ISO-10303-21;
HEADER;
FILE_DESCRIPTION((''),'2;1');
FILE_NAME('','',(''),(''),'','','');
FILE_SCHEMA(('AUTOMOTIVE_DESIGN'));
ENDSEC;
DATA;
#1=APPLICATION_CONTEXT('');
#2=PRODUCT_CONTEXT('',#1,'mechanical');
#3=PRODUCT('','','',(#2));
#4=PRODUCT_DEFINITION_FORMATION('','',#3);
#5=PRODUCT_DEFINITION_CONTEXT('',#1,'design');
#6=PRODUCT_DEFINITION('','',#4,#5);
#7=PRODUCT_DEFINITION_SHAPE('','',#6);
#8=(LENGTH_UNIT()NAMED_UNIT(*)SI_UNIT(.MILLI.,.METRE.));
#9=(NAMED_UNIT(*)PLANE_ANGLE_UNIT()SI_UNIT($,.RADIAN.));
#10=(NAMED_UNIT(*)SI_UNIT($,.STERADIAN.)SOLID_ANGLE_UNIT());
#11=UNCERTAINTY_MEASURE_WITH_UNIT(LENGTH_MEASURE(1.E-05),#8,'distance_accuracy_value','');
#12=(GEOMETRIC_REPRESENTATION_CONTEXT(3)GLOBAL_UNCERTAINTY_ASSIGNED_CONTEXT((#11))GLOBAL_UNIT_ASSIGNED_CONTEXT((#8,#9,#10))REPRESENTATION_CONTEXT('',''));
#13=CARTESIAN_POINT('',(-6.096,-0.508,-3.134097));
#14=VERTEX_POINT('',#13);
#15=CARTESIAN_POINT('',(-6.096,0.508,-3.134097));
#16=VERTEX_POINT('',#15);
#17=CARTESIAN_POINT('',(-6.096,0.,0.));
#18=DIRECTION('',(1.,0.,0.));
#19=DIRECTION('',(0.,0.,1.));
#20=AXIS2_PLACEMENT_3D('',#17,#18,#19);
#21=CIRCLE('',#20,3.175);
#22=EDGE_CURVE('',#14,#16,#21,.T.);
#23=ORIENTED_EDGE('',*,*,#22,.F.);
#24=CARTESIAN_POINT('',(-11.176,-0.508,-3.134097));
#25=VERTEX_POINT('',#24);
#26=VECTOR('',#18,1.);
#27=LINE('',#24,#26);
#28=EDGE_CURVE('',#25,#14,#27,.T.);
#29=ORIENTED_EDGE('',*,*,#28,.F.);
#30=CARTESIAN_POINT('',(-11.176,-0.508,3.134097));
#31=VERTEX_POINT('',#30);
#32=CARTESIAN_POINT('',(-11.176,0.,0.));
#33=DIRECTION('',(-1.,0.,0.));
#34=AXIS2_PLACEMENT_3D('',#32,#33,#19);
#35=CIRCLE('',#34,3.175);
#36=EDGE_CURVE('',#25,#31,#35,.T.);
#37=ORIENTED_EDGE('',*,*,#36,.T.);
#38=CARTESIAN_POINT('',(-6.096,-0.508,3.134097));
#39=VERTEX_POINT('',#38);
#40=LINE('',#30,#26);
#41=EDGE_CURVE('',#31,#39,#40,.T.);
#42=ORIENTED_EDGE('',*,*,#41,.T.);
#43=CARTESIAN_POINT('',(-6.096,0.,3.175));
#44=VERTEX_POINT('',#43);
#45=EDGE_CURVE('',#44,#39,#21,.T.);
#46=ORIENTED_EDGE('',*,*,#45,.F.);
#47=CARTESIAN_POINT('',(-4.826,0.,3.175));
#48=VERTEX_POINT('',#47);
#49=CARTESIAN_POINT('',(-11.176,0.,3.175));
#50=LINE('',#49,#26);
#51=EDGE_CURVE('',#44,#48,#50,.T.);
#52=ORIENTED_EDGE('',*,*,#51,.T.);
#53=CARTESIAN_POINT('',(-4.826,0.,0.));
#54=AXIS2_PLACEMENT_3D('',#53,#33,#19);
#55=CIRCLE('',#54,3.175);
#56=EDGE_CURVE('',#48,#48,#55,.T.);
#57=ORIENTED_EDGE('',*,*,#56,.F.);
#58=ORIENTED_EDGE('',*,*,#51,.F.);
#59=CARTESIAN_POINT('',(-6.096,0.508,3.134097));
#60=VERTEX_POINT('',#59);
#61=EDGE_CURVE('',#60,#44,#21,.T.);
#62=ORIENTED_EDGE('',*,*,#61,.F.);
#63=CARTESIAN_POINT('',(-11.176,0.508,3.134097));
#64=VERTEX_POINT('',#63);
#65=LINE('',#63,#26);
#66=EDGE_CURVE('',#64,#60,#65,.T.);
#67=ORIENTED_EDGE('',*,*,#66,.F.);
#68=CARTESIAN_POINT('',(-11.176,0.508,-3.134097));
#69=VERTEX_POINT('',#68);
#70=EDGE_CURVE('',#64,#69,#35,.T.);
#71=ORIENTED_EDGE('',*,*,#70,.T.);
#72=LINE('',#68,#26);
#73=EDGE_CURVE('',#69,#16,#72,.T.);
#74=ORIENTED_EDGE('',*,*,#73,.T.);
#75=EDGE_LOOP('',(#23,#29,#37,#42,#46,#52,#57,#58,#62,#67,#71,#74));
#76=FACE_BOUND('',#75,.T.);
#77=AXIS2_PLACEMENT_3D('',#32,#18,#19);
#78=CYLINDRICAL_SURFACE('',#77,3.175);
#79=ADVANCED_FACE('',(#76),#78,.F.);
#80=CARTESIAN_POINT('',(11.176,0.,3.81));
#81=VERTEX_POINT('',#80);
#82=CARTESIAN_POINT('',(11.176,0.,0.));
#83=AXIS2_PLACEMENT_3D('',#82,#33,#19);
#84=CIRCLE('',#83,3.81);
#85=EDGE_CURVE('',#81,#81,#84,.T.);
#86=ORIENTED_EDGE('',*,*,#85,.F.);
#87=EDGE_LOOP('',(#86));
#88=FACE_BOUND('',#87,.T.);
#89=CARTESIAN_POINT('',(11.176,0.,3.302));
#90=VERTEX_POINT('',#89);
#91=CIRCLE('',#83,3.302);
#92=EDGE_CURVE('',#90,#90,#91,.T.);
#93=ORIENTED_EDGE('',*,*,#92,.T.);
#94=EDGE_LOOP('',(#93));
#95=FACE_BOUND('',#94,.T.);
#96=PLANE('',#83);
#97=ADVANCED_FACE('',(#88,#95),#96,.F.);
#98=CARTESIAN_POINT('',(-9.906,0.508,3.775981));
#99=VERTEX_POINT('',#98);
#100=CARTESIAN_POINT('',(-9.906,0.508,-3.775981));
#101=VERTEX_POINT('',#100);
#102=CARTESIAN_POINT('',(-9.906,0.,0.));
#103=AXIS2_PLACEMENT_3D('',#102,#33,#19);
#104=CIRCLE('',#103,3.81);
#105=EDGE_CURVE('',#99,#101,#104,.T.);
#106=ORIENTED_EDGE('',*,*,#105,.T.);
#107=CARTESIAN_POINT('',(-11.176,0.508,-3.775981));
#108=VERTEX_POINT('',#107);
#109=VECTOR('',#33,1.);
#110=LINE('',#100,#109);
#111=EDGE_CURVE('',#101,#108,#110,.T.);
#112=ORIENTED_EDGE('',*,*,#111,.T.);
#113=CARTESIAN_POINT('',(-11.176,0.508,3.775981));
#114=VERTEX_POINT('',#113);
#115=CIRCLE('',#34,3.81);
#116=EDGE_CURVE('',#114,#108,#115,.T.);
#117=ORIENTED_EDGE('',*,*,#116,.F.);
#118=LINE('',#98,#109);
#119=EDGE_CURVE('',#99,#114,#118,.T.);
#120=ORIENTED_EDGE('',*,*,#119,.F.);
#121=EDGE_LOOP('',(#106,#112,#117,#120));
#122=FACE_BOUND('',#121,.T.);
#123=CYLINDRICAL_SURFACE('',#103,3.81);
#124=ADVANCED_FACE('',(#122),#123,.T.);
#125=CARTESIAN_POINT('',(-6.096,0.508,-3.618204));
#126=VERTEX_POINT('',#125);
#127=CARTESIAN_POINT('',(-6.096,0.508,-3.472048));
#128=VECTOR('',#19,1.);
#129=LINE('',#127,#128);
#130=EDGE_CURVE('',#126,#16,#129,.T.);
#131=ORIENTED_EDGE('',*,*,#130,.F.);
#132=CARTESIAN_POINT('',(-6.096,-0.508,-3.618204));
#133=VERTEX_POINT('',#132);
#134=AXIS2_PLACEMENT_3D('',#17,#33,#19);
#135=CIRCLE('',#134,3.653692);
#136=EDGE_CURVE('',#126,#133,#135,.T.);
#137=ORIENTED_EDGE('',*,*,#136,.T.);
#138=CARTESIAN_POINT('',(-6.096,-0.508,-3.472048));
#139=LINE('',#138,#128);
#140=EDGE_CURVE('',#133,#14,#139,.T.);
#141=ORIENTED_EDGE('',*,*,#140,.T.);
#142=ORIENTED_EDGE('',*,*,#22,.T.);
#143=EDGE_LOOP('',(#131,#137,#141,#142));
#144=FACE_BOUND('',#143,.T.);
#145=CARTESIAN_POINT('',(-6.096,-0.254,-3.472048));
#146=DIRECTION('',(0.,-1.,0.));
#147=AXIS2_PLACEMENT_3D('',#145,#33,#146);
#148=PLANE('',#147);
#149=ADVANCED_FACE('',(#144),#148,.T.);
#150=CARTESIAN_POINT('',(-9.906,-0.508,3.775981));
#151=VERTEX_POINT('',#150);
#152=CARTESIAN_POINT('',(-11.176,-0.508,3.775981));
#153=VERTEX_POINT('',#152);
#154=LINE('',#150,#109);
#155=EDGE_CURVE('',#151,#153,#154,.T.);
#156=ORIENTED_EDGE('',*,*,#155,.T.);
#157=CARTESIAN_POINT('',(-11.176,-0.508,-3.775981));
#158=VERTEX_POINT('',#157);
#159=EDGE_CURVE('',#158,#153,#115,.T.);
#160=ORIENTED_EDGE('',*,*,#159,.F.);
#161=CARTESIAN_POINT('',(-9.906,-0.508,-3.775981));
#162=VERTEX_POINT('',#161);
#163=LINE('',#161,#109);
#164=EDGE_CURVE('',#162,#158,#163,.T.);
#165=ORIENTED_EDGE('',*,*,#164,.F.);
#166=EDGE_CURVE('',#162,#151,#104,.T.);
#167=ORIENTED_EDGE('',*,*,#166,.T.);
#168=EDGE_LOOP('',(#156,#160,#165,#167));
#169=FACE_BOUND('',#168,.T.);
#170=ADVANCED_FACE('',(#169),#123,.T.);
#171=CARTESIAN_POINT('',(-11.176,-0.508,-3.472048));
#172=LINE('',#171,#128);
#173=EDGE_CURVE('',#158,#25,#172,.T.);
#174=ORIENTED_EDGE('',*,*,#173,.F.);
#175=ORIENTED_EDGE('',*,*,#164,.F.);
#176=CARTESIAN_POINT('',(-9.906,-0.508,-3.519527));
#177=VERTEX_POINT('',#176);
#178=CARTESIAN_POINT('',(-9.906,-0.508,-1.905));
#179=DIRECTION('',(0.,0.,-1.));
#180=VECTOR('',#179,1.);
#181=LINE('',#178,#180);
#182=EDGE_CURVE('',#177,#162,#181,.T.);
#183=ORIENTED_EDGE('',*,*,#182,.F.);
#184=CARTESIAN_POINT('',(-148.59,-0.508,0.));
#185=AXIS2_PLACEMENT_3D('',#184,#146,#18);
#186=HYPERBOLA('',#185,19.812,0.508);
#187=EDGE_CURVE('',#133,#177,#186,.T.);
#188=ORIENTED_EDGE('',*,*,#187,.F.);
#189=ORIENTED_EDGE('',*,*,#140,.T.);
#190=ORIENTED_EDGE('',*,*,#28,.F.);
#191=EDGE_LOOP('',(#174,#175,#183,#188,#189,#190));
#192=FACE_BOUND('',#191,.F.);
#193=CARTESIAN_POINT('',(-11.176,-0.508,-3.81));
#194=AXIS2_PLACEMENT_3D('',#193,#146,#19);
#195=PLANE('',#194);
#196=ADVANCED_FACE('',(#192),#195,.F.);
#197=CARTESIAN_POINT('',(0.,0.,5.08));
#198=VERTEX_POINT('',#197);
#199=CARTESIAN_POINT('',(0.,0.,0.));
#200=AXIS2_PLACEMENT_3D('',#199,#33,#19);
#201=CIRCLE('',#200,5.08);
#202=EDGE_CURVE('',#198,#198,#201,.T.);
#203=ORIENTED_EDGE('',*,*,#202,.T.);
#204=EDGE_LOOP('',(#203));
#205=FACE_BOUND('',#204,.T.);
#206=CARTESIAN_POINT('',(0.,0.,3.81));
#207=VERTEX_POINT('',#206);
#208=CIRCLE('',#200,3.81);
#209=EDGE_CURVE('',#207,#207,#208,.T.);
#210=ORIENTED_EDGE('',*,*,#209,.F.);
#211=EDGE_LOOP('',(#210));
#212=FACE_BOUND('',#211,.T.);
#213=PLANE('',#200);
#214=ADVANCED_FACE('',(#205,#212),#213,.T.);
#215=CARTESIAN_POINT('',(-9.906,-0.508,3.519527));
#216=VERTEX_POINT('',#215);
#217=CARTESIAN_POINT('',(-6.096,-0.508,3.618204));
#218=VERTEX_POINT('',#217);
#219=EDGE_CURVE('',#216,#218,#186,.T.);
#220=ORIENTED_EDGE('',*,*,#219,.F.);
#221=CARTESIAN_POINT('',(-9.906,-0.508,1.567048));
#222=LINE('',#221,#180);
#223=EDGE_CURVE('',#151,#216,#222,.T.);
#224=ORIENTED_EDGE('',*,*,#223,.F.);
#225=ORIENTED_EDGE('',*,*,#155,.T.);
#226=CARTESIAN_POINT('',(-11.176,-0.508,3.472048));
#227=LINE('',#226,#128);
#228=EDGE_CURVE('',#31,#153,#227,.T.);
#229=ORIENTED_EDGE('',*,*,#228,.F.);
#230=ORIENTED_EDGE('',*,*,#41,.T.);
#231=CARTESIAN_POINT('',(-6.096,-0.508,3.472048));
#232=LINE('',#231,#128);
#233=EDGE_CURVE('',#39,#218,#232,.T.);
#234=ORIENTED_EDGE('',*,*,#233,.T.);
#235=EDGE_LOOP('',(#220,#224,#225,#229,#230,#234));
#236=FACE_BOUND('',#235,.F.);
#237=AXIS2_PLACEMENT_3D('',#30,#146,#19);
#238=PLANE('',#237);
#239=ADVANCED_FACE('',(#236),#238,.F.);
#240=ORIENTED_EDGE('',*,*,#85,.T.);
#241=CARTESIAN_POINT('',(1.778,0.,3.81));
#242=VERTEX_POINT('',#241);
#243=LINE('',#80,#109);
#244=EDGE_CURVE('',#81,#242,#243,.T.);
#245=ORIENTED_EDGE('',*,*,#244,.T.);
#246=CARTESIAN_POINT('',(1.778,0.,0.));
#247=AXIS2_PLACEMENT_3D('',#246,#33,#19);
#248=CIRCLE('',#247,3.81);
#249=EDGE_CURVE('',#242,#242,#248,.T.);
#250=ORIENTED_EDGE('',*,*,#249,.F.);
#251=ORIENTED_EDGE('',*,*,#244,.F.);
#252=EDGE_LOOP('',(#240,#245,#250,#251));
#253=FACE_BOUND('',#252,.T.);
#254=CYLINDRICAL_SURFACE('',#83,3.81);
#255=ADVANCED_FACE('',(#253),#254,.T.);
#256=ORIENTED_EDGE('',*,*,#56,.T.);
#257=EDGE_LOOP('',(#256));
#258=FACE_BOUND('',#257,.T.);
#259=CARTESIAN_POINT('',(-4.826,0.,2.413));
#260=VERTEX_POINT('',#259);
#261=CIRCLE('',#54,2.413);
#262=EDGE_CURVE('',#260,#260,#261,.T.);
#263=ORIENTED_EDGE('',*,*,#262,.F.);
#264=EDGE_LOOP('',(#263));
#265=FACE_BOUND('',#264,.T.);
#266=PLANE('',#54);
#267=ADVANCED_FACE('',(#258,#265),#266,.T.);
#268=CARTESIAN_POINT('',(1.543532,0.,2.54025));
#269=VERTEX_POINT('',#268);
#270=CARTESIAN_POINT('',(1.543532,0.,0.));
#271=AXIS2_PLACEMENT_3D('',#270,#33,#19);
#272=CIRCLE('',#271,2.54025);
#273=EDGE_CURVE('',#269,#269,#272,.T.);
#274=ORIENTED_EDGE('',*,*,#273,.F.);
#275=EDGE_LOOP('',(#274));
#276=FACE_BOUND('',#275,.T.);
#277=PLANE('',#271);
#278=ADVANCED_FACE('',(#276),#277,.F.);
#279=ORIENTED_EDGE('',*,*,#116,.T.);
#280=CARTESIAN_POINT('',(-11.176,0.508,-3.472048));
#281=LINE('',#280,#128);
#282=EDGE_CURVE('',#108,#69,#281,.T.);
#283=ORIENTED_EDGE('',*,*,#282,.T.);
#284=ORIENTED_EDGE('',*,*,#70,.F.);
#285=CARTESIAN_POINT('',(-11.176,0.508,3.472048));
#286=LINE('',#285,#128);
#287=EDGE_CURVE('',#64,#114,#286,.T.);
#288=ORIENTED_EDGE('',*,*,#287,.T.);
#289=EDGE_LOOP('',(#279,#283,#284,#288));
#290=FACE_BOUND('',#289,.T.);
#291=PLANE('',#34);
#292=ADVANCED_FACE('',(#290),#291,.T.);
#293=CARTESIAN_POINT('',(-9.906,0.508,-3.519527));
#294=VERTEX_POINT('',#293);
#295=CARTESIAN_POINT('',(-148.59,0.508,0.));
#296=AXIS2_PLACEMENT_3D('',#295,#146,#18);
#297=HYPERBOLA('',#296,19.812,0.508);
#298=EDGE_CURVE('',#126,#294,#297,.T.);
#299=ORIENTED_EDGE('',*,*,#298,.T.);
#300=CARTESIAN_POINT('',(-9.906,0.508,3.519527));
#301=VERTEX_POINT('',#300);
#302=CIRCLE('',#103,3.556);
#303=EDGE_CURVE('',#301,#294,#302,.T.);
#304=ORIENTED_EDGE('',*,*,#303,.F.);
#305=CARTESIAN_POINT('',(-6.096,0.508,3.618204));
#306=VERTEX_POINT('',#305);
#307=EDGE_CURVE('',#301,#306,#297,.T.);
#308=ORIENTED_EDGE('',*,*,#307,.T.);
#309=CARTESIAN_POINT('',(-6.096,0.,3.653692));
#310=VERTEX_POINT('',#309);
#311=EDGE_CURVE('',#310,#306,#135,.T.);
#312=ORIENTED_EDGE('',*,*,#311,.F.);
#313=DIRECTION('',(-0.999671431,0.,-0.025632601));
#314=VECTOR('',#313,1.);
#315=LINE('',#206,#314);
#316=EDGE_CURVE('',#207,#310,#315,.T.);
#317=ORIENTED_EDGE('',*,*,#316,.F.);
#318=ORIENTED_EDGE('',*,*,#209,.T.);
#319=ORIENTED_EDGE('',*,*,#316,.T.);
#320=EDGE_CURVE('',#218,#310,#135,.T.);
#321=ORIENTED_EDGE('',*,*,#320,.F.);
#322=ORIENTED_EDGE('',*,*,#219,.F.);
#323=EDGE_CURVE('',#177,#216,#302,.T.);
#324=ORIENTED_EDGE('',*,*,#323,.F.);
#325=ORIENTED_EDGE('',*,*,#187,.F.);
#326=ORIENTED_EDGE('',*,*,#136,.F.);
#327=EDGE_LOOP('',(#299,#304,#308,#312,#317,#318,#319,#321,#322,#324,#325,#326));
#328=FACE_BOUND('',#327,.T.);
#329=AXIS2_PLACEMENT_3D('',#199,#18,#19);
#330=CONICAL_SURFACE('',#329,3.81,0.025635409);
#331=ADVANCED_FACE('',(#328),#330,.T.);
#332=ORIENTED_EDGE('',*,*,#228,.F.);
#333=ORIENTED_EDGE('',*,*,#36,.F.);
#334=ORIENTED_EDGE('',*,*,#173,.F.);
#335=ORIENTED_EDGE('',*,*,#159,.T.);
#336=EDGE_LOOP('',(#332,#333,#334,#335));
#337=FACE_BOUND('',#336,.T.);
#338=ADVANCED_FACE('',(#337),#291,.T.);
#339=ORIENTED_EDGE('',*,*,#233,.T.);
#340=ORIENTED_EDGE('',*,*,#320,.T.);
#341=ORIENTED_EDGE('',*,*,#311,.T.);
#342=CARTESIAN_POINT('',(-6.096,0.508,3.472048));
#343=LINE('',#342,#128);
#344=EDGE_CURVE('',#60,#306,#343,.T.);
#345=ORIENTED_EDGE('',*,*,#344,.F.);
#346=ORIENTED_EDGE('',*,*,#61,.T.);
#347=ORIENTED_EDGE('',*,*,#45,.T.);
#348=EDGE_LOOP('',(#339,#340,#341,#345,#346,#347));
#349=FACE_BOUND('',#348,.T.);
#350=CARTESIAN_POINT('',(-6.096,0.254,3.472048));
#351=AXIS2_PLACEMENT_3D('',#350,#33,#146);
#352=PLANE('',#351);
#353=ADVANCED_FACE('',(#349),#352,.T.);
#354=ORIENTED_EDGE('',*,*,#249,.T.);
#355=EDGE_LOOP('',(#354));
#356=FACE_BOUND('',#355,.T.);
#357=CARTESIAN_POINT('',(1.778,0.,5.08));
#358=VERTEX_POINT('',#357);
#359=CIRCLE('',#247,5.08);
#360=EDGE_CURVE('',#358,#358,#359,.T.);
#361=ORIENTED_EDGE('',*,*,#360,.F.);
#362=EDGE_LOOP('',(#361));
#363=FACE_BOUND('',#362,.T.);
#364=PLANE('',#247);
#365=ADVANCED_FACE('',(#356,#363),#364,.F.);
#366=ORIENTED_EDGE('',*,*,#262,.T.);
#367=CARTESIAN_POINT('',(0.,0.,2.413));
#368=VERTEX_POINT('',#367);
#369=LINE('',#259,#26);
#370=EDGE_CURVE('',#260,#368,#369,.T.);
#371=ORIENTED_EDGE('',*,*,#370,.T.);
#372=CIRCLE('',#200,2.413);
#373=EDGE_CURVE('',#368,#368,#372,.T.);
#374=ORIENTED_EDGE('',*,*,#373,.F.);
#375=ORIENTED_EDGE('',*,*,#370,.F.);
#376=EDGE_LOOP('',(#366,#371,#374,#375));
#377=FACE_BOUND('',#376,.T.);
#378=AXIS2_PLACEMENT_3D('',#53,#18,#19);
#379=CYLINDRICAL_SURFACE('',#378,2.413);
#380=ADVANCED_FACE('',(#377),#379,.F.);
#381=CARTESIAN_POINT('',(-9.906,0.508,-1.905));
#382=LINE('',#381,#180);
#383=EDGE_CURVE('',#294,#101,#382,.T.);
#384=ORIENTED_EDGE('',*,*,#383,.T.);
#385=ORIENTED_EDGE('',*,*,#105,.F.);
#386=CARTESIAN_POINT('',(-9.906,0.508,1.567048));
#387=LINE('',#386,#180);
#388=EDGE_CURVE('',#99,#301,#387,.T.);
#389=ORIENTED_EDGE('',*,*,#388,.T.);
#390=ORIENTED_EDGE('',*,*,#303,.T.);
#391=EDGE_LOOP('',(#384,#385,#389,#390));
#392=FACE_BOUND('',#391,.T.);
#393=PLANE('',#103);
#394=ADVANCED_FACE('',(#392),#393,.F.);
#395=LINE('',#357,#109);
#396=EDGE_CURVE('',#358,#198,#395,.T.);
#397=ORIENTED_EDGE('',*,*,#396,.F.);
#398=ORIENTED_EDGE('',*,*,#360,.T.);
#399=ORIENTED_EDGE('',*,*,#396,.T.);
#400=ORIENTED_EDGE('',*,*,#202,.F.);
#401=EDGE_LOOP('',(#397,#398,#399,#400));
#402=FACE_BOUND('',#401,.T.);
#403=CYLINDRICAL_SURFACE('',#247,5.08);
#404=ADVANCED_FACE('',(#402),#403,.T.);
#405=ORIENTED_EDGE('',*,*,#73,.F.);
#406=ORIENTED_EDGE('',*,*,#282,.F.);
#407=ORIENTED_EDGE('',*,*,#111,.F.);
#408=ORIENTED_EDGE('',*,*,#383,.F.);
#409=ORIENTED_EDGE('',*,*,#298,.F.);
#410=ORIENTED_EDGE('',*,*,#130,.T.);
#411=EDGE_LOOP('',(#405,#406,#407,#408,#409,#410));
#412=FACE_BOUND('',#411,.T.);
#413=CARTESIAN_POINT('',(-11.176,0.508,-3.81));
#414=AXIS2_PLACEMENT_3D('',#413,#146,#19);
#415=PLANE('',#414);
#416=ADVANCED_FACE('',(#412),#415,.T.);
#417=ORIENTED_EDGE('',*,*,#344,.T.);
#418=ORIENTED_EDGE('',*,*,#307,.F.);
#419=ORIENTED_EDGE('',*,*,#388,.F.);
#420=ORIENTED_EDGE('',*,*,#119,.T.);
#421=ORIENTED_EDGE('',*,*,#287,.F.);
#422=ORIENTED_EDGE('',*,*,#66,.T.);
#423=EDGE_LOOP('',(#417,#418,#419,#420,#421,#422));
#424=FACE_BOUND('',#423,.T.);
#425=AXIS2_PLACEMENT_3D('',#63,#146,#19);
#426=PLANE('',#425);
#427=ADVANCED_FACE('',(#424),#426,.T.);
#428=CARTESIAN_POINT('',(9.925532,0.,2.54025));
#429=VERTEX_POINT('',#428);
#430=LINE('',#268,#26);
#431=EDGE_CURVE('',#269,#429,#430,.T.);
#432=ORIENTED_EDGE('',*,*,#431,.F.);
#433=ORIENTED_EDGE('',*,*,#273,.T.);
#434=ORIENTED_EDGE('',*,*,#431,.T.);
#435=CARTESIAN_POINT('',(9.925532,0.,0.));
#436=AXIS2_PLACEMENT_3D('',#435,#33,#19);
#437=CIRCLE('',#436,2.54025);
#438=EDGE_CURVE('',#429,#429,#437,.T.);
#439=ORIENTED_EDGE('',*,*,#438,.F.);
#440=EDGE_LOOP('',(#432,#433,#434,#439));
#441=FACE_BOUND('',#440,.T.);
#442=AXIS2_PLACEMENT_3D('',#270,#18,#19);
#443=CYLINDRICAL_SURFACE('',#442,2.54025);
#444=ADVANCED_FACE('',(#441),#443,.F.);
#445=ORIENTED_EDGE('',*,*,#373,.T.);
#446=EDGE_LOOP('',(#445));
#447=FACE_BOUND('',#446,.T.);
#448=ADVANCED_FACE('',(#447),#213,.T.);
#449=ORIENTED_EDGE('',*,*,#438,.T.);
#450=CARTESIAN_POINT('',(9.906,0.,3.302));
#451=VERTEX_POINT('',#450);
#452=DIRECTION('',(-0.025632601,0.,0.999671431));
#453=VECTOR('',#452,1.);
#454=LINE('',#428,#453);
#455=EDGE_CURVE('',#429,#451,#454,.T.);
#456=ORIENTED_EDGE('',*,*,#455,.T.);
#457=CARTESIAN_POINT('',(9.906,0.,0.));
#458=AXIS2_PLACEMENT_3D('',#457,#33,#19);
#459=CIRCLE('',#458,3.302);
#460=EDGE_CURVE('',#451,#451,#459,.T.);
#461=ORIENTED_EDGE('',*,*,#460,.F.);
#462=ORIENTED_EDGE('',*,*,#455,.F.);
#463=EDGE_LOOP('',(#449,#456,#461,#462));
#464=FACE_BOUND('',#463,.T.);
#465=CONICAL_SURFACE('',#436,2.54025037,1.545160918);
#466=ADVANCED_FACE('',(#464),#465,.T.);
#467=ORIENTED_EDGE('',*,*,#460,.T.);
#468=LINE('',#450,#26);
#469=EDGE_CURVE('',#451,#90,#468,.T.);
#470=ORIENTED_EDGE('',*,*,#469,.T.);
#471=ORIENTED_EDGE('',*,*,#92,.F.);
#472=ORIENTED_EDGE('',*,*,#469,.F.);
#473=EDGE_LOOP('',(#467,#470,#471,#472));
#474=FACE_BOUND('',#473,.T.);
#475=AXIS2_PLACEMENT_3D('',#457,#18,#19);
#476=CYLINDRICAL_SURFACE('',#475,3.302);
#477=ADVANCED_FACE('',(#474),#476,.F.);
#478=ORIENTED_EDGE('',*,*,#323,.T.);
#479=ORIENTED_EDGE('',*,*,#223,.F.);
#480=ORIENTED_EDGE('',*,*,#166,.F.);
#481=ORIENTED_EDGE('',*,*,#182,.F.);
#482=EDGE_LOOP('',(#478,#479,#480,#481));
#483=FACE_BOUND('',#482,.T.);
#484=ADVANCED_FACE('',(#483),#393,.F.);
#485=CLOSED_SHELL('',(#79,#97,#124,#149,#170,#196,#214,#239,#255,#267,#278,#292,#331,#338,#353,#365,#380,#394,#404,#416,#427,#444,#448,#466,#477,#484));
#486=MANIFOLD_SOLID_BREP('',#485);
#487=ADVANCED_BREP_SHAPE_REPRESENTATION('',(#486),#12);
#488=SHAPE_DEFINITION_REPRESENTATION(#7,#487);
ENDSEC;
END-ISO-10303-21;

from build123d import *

# Parameters (mm, degrees)
F2_W     = 0.508
F2_H     = 0.6759034795
F3_DEPTH = 5.08


with BuildPart() as f1:
    # F0 (on Front) → F1 (revolve)
    with BuildSketch(Plane.XZ):
        Polygon((0, 2.413), (0, 0), (1.5435320418, 0), (1.5435320418, 2.5402503696), (9.9255320418, 2.5402503696), (9.906, 3.302), (11.176, 3.302), (11.176, 3.81), (1.778, 3.81), (1.778, 5.08), (0, 5.08), (0, 3.81), (-9.906, 3.556), (-9.906, 3.81), (-11.176, 3.81), (-11.176, 3.175), (-4.826, 3.175), (-4.826, 2.413), align=None)
    revolve(axis=Axis((0.7717660209, 0, 0), (-1, 0, 0)))

    # F2 (on face) → F3 (cut)
    with BuildSketch(Plane(origin=(-11.176, 0, 0), x_dir=(0, -1, 0), z_dir=(-1, 0, 0))):
        with Locations((-0.254, 3.4720482603)):
            Rectangle(F2_W, F2_H)
        with Locations((0.254, 3.4720482603)):
            Rectangle(F2_W, F2_H)
        with Locations((0.254, -3.4720482603)):
            Rectangle(F2_W, F2_H)
        with Locations((-0.254, -3.4720482603)):
            Rectangle(F2_W, F2_H)
    extrude(amount=-F3_DEPTH, mode=Mode.SUBTRACT)


solid = f1.part
